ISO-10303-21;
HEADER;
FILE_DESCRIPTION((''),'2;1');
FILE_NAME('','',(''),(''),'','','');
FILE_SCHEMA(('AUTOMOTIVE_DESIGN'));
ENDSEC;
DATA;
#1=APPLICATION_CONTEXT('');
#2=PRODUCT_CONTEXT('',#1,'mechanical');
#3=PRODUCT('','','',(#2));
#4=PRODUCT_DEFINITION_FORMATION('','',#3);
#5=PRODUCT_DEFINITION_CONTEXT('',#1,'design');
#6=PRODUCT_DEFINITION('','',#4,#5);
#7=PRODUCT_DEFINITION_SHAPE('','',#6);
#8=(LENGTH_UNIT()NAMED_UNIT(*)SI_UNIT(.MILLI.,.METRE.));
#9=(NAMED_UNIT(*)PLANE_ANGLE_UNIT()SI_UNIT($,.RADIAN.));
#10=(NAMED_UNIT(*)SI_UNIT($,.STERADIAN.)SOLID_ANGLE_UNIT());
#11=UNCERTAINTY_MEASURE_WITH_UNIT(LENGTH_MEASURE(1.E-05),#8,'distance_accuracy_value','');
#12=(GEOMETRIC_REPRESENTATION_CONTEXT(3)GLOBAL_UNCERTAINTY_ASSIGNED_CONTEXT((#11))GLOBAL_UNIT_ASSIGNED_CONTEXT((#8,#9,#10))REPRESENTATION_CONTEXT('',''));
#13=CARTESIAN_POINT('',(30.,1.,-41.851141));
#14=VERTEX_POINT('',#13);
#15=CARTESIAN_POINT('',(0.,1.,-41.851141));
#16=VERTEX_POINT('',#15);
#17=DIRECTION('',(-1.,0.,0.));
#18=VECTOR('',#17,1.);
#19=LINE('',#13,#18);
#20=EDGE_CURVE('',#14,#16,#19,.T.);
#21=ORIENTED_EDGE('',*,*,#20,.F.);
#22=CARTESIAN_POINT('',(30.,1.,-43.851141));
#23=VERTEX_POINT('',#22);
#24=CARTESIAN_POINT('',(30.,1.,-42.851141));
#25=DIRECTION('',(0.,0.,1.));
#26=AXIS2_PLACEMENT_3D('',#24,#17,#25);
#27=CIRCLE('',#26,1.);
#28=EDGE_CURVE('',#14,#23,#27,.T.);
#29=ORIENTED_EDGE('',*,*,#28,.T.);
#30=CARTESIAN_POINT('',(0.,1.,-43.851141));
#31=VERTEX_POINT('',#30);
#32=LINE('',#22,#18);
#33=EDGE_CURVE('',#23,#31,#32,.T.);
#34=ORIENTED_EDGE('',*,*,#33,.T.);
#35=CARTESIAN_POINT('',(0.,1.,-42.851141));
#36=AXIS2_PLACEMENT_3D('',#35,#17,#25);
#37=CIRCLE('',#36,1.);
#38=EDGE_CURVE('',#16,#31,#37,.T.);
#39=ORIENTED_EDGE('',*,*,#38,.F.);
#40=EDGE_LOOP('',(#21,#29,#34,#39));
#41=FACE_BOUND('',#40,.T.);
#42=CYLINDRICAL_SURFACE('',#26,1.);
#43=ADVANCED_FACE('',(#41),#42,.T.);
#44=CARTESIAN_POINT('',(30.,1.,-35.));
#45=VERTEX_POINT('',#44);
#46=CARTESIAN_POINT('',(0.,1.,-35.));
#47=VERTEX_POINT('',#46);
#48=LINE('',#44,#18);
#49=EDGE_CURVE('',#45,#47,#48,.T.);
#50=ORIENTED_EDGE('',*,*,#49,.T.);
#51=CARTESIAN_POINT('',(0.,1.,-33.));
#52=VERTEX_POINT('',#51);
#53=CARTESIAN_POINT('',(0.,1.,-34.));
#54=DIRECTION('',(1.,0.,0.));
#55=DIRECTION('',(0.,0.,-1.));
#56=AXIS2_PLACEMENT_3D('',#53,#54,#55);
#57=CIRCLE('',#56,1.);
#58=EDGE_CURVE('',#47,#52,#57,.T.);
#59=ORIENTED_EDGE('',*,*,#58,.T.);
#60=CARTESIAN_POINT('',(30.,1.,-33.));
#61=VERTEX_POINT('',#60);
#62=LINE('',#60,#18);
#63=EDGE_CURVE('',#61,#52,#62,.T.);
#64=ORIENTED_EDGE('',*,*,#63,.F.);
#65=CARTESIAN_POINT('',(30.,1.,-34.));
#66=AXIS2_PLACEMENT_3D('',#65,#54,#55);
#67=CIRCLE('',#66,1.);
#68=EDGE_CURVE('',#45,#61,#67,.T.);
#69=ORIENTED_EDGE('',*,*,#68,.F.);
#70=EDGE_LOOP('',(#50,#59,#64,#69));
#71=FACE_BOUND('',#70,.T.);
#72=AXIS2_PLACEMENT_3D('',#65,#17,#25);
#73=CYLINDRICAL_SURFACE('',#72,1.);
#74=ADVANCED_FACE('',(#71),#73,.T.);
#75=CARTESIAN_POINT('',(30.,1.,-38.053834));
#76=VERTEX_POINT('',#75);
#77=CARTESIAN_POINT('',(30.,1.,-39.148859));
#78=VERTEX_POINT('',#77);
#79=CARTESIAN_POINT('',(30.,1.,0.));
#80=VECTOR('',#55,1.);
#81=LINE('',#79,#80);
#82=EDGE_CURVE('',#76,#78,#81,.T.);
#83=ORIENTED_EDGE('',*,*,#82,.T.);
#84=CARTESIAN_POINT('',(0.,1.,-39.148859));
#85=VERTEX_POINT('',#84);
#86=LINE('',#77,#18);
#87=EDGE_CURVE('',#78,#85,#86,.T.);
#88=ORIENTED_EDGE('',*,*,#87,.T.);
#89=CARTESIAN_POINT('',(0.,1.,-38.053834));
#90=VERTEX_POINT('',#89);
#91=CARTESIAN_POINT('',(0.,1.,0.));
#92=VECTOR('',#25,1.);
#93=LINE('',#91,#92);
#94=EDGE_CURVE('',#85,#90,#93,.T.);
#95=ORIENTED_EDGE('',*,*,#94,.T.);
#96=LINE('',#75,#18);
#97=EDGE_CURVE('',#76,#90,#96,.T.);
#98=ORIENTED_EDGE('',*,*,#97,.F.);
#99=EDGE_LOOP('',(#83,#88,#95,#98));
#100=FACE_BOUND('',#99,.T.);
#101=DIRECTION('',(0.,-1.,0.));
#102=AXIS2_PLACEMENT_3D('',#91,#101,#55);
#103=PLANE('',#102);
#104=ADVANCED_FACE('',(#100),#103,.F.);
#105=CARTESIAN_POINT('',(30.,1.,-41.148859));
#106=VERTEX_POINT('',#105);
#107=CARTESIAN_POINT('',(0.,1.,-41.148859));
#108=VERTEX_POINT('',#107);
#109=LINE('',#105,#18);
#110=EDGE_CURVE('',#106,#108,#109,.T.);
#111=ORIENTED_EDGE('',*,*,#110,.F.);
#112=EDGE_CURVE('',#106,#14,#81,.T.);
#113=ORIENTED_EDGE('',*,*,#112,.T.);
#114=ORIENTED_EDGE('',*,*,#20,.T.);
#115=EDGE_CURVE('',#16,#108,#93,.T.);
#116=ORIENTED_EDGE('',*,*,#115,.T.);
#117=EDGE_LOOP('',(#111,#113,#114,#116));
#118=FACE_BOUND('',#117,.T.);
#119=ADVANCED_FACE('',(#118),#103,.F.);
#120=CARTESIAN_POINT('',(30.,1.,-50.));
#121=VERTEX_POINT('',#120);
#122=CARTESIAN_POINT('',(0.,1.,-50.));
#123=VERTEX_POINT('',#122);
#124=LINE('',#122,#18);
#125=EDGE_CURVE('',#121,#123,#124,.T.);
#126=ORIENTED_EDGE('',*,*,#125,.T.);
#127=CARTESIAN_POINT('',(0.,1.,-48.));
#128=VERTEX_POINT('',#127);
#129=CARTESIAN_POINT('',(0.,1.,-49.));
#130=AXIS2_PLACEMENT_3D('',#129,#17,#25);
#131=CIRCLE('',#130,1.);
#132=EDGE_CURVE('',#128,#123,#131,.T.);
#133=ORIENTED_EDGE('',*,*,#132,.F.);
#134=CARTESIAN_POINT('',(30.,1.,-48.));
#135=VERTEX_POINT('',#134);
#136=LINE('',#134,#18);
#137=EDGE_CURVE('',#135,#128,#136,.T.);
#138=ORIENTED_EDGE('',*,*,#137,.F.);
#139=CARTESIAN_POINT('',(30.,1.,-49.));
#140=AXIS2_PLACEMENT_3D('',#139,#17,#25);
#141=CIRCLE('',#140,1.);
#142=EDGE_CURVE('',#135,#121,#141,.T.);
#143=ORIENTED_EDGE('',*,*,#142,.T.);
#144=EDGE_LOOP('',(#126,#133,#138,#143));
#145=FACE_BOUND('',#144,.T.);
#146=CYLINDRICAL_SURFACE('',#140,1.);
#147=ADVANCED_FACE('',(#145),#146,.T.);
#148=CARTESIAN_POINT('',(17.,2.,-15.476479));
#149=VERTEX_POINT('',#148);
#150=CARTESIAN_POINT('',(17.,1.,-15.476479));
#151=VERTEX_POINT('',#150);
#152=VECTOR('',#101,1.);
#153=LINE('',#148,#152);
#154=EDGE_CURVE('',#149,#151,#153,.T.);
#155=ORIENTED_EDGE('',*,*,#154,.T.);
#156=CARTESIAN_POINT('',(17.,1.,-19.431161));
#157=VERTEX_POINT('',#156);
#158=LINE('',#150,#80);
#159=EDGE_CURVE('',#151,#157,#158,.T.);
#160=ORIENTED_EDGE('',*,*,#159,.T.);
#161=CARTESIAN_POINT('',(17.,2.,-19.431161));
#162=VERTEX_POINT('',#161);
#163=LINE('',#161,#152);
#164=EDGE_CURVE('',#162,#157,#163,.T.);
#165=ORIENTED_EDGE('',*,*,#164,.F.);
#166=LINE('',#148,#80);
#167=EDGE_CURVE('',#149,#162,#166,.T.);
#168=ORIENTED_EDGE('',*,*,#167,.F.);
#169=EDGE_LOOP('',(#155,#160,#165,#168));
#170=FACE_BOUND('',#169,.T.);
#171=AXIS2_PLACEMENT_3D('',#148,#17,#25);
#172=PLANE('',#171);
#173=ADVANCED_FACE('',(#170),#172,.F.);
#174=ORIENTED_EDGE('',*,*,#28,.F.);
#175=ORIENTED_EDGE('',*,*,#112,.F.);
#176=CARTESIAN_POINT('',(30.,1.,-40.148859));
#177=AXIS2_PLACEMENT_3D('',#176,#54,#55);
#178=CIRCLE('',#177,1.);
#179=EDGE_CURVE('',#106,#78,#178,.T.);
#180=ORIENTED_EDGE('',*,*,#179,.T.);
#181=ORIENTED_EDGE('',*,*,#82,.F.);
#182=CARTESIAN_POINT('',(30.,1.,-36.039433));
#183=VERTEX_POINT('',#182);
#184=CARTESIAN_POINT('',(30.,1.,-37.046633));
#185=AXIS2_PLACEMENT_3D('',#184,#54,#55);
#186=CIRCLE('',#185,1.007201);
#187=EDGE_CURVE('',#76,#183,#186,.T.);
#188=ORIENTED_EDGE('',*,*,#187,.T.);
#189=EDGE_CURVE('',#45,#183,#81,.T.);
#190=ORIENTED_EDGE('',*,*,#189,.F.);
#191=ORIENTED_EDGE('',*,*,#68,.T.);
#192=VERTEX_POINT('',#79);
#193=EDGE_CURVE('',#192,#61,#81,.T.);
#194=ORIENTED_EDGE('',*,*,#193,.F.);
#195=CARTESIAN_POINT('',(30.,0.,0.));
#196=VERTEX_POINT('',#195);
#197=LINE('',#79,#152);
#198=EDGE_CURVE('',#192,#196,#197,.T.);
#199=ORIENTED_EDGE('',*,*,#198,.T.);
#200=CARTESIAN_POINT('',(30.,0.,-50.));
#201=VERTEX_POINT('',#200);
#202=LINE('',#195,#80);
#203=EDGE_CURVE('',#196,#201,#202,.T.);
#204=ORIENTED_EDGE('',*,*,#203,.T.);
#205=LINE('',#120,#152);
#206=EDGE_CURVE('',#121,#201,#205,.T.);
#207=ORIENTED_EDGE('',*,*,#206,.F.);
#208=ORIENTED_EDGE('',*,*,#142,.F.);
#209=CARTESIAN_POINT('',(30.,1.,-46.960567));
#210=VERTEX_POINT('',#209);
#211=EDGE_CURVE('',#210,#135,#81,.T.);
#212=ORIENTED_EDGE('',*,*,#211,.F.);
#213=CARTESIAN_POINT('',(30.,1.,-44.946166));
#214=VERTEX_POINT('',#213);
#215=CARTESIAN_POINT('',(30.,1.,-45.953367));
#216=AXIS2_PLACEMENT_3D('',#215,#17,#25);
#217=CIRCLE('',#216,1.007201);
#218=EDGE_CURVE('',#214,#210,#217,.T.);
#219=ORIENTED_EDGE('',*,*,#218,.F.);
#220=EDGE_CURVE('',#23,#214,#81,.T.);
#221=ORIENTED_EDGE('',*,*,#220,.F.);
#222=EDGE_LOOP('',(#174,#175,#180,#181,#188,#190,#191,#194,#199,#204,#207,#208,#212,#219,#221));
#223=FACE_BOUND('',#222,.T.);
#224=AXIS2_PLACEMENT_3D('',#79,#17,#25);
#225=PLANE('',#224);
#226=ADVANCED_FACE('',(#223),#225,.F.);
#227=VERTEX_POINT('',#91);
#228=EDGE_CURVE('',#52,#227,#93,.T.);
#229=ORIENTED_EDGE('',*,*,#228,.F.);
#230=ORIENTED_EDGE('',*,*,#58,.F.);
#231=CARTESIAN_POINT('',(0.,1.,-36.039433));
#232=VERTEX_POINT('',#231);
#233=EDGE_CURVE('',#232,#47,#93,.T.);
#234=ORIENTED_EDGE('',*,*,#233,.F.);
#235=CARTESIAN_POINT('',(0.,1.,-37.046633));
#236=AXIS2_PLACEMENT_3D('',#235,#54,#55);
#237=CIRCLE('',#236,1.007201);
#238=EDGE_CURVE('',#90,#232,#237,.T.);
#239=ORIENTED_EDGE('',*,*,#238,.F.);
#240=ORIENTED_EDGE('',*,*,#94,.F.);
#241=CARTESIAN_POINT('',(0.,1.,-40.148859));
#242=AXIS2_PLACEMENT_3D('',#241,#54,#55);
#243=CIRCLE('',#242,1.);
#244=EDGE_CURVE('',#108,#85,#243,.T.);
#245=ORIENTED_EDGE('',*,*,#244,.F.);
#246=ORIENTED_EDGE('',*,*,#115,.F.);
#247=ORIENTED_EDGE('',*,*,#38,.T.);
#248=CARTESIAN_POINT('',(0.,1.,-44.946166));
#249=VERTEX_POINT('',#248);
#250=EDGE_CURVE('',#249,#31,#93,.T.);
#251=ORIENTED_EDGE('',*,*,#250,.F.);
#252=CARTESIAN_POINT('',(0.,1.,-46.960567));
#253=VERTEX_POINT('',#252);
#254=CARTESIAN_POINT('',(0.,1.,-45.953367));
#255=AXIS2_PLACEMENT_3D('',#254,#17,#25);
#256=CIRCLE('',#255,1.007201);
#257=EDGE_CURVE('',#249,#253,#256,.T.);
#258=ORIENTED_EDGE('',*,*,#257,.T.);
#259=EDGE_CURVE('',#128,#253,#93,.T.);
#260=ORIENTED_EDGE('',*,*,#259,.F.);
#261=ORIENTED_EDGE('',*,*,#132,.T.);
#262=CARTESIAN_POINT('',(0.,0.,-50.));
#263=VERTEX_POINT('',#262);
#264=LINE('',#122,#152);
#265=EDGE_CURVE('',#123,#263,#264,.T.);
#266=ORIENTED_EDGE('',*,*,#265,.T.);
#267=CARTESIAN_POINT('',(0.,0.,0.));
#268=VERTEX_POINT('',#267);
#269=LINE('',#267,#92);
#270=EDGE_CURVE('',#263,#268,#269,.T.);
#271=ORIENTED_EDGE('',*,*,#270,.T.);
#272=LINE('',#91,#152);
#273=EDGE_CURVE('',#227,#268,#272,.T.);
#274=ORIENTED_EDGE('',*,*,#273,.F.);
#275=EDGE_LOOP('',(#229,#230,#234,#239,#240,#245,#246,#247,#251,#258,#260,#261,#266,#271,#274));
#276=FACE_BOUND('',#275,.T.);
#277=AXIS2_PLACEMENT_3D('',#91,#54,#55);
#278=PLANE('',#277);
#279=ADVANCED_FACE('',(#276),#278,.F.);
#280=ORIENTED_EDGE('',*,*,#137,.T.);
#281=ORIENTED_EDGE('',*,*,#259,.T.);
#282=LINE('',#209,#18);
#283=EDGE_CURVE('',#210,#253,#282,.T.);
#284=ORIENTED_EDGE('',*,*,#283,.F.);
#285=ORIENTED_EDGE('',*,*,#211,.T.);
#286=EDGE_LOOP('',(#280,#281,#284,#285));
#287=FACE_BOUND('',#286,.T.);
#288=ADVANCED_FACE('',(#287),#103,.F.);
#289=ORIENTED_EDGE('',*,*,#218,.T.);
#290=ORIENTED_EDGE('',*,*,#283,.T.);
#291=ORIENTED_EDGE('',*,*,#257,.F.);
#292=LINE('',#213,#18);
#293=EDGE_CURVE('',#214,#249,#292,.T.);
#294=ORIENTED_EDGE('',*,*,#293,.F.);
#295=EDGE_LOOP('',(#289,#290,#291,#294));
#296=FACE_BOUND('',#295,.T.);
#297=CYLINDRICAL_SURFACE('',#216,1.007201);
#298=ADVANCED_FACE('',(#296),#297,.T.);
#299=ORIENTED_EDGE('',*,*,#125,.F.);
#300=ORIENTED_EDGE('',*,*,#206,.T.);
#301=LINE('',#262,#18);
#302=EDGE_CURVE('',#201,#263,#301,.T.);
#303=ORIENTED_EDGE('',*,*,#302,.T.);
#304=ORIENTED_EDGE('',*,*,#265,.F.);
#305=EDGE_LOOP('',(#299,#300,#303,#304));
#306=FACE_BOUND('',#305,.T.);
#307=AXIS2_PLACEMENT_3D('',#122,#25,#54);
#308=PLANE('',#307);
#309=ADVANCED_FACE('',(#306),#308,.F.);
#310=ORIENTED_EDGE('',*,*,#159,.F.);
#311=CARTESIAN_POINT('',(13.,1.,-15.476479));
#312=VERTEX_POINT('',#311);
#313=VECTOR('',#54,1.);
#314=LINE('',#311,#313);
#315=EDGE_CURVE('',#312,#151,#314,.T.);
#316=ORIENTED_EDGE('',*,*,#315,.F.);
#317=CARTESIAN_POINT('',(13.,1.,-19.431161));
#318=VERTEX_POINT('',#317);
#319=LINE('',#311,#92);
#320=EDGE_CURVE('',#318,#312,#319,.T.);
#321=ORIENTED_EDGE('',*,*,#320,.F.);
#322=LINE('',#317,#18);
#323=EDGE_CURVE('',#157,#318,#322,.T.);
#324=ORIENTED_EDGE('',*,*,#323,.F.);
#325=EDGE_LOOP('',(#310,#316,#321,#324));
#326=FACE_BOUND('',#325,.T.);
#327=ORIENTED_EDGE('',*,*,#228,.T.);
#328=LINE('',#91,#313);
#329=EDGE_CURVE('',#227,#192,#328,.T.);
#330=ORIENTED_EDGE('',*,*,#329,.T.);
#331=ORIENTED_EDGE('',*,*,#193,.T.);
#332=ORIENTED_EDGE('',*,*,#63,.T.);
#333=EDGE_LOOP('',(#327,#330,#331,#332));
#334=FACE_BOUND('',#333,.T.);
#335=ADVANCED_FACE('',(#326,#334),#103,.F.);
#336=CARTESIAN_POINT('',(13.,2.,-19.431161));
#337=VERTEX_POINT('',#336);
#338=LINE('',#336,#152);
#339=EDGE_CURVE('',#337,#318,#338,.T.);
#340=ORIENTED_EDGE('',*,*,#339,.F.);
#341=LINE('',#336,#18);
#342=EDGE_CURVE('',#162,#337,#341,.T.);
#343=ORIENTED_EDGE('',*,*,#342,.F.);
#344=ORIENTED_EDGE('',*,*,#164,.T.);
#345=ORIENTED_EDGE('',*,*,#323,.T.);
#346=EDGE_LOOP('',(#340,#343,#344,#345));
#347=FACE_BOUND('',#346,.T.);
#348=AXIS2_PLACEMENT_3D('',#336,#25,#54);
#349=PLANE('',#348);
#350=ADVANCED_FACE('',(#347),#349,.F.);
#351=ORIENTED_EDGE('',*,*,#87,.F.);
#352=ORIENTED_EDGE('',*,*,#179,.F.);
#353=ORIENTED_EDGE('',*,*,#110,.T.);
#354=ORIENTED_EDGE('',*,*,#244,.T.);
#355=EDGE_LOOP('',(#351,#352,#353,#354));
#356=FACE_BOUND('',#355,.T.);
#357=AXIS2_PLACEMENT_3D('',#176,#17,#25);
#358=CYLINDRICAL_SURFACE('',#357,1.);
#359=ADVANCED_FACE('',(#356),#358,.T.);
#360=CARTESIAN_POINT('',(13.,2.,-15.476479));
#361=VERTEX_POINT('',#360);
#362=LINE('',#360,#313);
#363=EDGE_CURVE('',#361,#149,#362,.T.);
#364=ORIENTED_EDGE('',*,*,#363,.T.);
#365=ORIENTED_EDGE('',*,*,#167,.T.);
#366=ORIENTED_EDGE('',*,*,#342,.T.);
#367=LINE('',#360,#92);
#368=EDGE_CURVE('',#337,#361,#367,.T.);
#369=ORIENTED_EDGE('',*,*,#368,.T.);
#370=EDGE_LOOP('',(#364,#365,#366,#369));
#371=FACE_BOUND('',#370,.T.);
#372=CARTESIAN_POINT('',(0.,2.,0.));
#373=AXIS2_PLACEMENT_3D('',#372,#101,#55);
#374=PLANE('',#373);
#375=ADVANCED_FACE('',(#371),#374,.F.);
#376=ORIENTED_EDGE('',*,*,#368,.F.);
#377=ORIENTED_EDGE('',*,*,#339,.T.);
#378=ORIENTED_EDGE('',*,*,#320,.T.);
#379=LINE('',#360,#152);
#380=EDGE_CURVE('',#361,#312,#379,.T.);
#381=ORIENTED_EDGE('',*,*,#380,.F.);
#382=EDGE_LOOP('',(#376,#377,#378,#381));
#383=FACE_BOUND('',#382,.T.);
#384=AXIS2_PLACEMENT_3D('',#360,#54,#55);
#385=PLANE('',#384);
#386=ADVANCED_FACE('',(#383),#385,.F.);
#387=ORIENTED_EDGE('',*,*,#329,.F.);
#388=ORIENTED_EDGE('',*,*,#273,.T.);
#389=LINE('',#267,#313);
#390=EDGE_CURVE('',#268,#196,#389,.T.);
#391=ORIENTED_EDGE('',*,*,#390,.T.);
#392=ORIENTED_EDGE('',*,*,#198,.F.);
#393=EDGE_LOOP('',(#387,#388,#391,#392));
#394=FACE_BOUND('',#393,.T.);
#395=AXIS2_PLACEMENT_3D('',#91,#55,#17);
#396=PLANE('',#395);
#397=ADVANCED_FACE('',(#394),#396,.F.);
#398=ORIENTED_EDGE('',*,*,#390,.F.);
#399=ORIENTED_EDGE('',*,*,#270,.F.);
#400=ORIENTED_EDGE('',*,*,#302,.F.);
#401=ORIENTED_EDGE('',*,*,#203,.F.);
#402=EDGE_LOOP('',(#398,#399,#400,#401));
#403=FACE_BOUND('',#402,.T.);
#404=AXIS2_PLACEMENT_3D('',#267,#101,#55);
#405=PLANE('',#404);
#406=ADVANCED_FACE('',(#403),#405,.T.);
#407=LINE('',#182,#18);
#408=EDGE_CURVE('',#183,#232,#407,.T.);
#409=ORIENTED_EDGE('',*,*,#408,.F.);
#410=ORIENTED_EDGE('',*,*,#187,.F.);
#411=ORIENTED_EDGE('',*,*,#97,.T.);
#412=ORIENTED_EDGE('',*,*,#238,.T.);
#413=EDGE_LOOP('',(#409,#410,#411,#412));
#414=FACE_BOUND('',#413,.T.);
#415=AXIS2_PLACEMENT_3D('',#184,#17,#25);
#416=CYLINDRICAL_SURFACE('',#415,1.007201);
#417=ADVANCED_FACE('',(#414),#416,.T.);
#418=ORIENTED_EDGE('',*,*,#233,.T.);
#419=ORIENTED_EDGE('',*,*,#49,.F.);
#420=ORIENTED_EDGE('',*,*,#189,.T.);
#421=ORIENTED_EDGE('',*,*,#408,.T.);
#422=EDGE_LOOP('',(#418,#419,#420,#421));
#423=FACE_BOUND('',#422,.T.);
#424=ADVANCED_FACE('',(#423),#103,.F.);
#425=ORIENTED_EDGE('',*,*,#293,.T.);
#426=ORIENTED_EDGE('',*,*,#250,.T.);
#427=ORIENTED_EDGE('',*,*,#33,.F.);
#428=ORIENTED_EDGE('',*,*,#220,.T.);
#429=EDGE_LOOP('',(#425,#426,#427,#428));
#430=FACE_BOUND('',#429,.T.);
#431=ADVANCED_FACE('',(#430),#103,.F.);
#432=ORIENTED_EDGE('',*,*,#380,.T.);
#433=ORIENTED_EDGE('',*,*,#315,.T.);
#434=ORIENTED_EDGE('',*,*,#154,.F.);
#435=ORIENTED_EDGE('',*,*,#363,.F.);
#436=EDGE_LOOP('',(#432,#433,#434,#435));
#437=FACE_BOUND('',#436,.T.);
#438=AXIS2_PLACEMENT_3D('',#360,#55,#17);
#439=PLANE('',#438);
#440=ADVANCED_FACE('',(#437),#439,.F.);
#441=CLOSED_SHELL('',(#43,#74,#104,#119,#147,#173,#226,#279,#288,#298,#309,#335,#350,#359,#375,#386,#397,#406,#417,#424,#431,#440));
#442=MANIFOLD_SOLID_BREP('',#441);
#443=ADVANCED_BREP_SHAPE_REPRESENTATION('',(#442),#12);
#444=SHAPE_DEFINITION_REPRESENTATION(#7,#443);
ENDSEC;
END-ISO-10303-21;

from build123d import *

# Parameters (mm, degrees)
SKETCH1_W           = 30
SKETCH1_H           = 50
BOSS_EXTRUDE1_DEPTH = 1
BOSS_EXTRUDE2_DEPTH = 30
BOSS_EXTRUDE3_DEPTH = 30
BOSS_EXTRUDE5_DEPTH = 30
SKETCH8_W           = 4
SKETCH8_H           = 3.954682566
BOSS_EXTRUDE6_DEPTH = 1


with BuildPart() as part:
    # Sketch1 → Boss-Extrude1 (new body)
    with BuildSketch(Plane(origin=(0, 0, 0), x_dir=(1, 0, 0), z_dir=(0, 1, 0))):
        with Locations((15, 25)):
            Rectangle(SKETCH1_W, SKETCH1_H)
    extrude(amount=BOSS_EXTRUDE1_DEPTH)

    # Sketch3 → Boss-Extrude2 (add)
    with BuildSketch(Plane.ZY):
        with BuildLine():
            Line((-50, 1), (-48, 1))
            ThreePointArc((-48, 1), (-49, 2), (-50, 1))
        make_face()
    boss_extrude2 = extrude(amount=-BOSS_EXTRUDE2_DEPTH)

    # Sketch5 → Boss-Extrude3 (add)
    with BuildSketch(Plane.ZY):
        with BuildLine():
            Line((-46.960567447, 1), (-44.946165632, 1))
            ThreePointArc((-44.946165632, 1), (-45.953366539, 2.007200908), (-46.960567447, 1))
        make_face()
    boss_extrude3 = extrude(amount=-BOSS_EXTRUDE3_DEPTH)

    # Sketch7 → Boss-Extrude5 (add)
    with BuildSketch(Plane.ZY):
        with BuildLine():
            Line((-43.851141388, 1), (-41.851141388, 1))
            ThreePointArc((-41.851141388, 1), (-42.851141388, 2), (-43.851141388, 1))
        make_face()
    boss_extrude5 = extrude(amount=-BOSS_EXTRUDE5_DEPTH)

    # Mirror1: Boss-Extrude2, Boss-Extrude3, Boss-Extrude5 across plane
    add(boss_extrude2.mirror(Plane(origin=(0, 0, -41.5), x_dir=(1, 0, 0), z_dir=(0, 0, -1))))
    add(boss_extrude3.mirror(Plane(origin=(0, 0, -41.5), x_dir=(1, 0, 0), z_dir=(0, 0, -1))))
    add(boss_extrude5.mirror(Plane(origin=(0, 0, -41.5), x_dir=(1, 0, 0), z_dir=(0, 0, -1))))

    # Sketch8 → Boss-Extrude6 (add)
    with BuildSketch(Plane(origin=(0, 1, 0), x_dir=(1, 0, 0), z_dir=(0, 1, 0))):
        with Locations((15, 17.453820001)):
            Rectangle(SKETCH8_W, SKETCH8_H)
    extrude(amount=BOSS_EXTRUDE6_DEPTH)


solid = part.part
